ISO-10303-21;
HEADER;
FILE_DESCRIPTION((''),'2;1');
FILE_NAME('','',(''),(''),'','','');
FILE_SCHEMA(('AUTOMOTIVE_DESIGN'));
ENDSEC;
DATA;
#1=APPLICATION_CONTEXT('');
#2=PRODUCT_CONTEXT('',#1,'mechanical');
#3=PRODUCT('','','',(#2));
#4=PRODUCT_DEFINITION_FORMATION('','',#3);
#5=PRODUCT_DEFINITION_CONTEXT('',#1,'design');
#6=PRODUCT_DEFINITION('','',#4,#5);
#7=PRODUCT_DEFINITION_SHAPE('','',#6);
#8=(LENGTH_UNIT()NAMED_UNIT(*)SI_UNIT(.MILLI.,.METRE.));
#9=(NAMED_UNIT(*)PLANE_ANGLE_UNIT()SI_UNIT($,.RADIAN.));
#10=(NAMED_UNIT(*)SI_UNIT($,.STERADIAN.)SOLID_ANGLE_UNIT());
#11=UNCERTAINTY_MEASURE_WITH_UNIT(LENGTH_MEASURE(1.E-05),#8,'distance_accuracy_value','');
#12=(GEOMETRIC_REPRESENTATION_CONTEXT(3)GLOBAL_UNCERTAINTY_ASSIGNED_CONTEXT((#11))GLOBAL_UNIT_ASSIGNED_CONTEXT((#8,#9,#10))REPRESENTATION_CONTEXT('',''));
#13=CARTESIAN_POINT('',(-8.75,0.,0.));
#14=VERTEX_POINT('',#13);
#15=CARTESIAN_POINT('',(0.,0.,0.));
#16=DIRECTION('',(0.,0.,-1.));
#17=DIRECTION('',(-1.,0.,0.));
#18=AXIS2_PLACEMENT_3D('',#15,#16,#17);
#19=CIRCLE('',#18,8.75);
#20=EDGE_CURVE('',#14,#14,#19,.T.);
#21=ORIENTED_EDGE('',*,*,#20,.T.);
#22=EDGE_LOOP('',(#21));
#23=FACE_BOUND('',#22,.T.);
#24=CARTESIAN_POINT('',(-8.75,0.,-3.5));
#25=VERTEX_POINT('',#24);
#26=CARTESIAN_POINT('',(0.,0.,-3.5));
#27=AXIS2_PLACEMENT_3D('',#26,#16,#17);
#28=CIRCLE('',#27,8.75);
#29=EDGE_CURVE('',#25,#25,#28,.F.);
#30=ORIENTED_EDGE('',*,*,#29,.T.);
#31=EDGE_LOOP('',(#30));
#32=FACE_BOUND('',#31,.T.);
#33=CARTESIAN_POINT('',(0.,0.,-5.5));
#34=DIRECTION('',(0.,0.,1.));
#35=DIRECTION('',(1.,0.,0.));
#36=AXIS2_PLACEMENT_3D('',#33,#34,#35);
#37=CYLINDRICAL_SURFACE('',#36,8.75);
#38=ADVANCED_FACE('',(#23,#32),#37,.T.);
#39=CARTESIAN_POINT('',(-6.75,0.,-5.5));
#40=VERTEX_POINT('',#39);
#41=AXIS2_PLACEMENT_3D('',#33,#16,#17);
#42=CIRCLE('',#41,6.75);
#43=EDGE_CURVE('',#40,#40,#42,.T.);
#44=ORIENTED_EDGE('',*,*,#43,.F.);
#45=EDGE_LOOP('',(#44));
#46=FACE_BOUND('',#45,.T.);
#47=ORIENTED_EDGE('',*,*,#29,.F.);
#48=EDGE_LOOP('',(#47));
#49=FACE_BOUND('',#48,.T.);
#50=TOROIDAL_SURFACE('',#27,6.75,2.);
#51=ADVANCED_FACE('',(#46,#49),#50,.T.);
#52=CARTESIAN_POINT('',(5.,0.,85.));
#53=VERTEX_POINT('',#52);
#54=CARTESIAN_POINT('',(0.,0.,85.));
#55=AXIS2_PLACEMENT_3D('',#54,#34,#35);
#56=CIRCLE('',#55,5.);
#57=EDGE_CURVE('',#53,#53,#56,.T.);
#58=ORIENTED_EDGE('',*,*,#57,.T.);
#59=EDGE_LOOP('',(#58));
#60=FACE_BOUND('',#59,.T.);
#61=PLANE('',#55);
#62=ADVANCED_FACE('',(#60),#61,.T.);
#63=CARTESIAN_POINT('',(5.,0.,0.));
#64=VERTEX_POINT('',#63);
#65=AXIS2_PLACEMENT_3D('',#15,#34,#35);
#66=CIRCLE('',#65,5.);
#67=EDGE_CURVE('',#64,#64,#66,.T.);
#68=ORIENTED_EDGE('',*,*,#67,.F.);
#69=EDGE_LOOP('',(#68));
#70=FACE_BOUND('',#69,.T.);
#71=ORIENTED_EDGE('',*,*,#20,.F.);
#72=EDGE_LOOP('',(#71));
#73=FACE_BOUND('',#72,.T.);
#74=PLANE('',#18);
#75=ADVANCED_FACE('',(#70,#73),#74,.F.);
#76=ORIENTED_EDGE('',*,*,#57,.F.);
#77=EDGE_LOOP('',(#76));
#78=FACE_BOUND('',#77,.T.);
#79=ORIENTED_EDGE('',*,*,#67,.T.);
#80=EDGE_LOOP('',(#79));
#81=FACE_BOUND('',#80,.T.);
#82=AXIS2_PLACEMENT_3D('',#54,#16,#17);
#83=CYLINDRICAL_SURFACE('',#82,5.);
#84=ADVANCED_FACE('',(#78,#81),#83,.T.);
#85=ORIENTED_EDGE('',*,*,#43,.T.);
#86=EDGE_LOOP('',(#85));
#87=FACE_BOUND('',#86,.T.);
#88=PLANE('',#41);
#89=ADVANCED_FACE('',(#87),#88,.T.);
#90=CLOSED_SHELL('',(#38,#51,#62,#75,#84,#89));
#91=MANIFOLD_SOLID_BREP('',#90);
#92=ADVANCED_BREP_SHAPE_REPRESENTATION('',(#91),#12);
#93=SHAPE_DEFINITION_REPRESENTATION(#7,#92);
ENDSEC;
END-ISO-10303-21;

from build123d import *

# Parameters (mm, degrees)
SKETCH_1_R      = 5
EXTRUDE_1_DEPTH = 85
SKETCH_2_R      = 8.75
EXTRUDE_2_DEPTH = 5.5
FILLET_2_R      = 2


with BuildPart() as part:
    # Sketch 1 → 凸台-拉伸1 (new body)
    with BuildSketch(Plane.XY):
        Circle(SKETCH_1_R)
    extrude(amount=EXTRUDE_1_DEPTH)

    # 草图2 → 凸台-拉伸2 (add)
    with BuildSketch(Plane(origin=(0, 0, 0), x_dir=(-1, 0, 0), z_dir=(0, 0, -1))):
        Circle(SKETCH_2_R)
    extrude(amount=EXTRUDE_2_DEPTH)

    # 圆角2
    fillet_2_edges = [part.edges().sort_by_distance(p)[0] for p in [
        (8.75, 0, -5.5),
    ]]
    fillet(fillet_2_edges, radius=FILLET_2_R)


solid = part.part
